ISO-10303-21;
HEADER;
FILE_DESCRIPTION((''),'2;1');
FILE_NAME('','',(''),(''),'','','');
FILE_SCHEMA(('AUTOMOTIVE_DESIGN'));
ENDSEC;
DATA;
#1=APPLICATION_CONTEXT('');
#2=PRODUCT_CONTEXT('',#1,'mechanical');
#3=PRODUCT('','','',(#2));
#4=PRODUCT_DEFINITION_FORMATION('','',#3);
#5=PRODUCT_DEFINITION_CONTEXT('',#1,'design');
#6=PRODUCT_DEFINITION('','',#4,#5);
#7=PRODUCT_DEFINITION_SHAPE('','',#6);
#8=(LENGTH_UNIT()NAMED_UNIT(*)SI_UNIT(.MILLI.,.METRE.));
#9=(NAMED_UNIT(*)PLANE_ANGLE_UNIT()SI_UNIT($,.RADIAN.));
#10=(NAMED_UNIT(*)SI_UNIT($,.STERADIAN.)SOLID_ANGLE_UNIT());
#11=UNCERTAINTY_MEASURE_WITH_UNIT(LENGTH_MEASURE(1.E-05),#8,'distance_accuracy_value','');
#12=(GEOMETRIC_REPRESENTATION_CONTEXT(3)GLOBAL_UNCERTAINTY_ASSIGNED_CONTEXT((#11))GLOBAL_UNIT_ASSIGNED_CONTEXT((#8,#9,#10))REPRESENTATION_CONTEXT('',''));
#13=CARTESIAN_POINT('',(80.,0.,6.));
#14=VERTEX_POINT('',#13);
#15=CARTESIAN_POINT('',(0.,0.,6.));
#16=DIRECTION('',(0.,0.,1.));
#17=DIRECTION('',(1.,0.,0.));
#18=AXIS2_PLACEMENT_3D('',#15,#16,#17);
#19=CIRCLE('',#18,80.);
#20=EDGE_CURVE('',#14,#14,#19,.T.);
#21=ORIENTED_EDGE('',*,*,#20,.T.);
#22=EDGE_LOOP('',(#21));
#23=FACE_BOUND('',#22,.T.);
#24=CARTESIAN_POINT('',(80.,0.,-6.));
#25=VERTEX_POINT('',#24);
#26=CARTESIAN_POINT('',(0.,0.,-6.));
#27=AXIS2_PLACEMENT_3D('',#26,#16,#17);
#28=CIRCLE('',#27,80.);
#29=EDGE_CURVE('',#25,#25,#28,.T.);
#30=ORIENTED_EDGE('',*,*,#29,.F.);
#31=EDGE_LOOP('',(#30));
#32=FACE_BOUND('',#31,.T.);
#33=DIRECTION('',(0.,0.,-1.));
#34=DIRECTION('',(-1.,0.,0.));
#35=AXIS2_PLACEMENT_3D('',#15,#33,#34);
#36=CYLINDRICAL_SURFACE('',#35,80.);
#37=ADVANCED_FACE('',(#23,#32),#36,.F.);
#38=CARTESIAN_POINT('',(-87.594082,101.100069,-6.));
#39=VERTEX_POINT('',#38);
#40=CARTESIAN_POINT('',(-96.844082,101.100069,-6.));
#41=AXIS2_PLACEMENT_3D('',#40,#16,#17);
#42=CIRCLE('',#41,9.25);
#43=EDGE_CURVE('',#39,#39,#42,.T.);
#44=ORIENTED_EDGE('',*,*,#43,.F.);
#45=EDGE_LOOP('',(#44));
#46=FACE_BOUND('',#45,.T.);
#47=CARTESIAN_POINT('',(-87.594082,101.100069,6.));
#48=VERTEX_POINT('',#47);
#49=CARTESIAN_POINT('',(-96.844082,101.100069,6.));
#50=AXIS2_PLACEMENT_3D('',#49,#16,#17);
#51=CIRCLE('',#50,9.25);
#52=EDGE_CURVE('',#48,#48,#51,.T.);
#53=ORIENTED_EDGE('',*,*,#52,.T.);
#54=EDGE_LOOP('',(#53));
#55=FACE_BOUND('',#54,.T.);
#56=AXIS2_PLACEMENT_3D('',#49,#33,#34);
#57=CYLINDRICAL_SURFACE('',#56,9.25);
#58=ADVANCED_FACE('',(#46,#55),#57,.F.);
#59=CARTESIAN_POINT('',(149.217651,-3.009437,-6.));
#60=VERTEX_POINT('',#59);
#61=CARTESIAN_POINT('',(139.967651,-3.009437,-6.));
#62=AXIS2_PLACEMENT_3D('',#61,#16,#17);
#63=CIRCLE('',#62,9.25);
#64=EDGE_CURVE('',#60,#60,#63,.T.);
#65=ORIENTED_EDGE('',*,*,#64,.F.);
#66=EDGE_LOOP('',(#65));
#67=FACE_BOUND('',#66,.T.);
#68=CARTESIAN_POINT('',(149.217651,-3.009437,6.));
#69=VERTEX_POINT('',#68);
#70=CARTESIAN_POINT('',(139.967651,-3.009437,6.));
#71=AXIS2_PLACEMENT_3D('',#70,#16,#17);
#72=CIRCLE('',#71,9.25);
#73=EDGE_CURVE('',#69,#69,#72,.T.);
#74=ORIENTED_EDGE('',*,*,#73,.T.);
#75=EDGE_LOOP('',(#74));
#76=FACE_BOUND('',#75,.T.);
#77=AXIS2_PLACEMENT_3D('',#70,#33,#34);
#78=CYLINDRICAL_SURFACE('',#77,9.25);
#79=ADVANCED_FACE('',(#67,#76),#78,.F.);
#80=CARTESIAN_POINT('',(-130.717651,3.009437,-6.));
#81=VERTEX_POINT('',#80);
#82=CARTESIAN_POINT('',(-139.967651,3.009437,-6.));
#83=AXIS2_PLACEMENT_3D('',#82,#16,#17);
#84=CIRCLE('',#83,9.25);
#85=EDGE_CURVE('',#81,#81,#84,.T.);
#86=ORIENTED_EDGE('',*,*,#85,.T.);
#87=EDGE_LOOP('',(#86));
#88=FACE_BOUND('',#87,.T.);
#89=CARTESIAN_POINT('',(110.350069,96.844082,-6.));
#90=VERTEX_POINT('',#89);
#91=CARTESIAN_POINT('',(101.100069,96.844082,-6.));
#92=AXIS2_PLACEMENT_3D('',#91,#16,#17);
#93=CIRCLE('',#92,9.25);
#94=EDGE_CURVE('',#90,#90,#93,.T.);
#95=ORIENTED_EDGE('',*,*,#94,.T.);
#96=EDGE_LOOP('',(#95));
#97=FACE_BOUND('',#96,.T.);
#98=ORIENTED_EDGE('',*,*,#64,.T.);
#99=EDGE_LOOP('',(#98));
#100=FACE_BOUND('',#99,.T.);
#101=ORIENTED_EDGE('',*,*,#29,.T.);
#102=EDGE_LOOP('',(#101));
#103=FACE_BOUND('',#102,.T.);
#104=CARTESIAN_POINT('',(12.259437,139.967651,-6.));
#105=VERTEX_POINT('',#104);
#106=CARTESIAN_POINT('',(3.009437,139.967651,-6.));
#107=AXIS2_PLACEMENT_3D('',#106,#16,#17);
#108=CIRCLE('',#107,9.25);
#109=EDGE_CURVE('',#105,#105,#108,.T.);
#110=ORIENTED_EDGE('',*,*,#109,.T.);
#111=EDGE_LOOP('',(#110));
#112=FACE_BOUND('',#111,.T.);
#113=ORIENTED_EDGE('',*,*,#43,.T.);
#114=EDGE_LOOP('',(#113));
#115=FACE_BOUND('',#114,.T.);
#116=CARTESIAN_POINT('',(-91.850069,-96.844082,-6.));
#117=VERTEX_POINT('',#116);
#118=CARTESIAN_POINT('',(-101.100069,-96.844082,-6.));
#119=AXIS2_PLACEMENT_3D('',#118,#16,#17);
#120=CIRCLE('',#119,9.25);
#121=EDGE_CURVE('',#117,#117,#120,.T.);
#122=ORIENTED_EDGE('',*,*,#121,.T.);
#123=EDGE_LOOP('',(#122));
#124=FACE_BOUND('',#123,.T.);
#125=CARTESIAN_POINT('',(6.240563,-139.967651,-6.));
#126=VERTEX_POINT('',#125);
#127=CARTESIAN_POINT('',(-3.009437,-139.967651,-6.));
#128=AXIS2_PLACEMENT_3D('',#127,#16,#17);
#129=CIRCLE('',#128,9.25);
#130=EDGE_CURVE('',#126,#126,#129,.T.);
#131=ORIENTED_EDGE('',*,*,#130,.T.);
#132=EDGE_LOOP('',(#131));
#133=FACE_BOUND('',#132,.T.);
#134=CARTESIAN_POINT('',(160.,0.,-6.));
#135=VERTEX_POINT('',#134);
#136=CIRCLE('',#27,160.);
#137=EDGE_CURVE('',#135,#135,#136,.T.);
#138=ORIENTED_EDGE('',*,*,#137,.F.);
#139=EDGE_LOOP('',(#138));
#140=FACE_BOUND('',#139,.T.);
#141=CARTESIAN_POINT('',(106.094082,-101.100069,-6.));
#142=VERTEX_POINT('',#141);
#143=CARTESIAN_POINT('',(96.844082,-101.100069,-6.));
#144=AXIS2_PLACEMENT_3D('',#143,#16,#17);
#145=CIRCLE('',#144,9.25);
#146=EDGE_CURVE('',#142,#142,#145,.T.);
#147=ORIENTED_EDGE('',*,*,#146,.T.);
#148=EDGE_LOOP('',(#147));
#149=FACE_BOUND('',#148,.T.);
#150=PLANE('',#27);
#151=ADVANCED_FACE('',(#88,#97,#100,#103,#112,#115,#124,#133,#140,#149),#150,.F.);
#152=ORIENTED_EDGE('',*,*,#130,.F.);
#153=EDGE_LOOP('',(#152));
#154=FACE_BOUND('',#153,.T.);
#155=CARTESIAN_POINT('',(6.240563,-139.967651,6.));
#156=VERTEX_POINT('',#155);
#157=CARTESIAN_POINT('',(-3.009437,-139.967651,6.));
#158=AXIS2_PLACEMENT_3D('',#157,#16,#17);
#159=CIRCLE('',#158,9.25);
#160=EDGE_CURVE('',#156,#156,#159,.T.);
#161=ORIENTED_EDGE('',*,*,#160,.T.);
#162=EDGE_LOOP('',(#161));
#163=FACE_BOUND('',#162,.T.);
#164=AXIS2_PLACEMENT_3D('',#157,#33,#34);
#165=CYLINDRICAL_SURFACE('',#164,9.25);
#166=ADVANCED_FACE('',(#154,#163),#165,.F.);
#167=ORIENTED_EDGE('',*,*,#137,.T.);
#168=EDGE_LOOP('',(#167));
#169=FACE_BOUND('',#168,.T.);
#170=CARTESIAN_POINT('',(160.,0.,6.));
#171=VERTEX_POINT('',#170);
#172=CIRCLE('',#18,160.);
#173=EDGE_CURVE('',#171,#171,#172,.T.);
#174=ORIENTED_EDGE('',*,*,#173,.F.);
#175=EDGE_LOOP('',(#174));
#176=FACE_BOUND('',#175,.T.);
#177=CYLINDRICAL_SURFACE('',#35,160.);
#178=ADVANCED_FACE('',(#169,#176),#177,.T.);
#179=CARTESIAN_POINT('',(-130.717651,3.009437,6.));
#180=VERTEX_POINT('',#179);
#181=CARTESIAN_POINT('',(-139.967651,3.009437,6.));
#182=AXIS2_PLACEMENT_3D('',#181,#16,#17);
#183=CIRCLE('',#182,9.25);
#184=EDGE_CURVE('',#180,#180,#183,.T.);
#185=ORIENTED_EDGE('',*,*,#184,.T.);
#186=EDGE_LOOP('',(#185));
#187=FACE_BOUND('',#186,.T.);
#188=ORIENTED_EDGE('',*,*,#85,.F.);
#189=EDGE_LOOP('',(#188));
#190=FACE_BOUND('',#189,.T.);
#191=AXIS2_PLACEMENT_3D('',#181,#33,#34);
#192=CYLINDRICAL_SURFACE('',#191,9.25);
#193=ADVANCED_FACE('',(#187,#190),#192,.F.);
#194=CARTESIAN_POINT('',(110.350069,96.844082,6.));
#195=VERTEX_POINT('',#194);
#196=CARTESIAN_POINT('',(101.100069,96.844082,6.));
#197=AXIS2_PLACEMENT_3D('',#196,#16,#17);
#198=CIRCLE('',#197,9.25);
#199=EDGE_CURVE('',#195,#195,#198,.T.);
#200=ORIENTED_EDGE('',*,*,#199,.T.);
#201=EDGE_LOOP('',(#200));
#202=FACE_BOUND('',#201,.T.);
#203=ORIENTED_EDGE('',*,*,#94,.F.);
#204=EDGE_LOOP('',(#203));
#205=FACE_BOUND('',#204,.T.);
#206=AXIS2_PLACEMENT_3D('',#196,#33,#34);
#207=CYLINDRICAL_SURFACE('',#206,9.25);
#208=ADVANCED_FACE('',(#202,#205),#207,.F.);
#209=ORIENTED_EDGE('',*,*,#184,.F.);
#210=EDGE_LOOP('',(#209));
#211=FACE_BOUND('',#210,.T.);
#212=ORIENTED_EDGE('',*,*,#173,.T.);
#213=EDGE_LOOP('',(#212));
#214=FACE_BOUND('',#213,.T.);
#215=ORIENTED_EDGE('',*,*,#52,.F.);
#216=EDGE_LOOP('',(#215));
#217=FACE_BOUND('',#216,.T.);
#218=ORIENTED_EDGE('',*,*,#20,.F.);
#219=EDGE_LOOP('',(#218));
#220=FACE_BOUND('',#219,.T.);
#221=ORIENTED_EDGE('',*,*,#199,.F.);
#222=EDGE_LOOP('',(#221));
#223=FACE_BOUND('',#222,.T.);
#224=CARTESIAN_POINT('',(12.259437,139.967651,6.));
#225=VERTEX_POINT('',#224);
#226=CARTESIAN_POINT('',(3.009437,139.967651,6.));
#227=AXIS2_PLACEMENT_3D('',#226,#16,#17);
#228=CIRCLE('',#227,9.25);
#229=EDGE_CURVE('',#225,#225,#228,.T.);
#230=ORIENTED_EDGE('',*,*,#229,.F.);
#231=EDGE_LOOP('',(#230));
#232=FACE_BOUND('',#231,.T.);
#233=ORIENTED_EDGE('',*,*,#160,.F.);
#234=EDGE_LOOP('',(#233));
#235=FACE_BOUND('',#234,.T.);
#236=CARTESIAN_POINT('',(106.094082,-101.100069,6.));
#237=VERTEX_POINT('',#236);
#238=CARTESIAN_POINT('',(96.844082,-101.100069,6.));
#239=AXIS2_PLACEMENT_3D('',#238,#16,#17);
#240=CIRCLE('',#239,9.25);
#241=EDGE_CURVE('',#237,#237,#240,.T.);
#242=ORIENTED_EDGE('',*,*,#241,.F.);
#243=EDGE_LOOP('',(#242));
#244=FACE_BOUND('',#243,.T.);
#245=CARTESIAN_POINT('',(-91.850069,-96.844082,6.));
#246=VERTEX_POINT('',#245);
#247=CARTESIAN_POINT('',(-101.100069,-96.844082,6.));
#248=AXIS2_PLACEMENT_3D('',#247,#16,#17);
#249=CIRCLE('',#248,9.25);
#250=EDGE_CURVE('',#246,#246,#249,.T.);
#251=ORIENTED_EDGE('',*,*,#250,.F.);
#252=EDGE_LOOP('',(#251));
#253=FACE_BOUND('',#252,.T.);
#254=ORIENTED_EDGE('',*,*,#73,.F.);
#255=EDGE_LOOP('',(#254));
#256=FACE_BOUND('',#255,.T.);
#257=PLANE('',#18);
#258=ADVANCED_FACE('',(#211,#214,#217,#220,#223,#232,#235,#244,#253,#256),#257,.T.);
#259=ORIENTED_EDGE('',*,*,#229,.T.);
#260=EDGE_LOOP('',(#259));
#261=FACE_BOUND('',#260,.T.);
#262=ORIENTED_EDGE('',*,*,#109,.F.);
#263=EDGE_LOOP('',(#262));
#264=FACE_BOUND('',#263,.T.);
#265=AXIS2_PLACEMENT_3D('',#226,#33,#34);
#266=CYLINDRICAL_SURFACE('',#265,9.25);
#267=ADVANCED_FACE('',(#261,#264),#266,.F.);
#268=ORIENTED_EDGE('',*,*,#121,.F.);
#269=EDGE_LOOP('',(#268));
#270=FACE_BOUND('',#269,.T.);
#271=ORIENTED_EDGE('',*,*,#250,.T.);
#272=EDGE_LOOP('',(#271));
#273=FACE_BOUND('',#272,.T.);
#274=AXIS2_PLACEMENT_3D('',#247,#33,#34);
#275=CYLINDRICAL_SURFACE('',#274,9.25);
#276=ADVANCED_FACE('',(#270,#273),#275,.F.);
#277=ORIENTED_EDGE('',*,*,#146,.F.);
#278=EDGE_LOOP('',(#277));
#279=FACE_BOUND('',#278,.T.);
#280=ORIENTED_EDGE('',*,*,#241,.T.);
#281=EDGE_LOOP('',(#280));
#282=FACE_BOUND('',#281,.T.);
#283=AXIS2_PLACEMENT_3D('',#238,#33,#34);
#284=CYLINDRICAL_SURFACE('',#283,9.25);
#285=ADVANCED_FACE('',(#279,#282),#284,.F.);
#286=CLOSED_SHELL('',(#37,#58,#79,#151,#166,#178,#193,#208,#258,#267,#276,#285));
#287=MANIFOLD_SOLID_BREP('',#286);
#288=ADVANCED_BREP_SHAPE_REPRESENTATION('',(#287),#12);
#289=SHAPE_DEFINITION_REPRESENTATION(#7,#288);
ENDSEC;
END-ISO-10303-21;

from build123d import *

# Parameters (mm, degrees)
SKETCH1_R           = 160
SKETCH1_R_2         = 80
SKETCH1_R_3         = 9.25
BOSS_EXTRUDE1_DEPTH = 6


with BuildPart() as part:
    # Sketch1 → Boss-Extrude1 (new, symmetric)
    with BuildSketch(Plane.XY):
        Circle(SKETCH1_R)
        Circle(SKETCH1_R_2, mode=Mode.SUBTRACT)
        with Locations((-96.844081606, 101.100068535)):
            Circle(SKETCH1_R_3, mode=Mode.SUBTRACT)
        with Locations((3.009437218, 139.967650861)):
            Circle(SKETCH1_R_3, mode=Mode.SUBTRACT)
        with Locations((101.100068535, 96.844081606)):
            Circle(SKETCH1_R_3, mode=Mode.SUBTRACT)
        with Locations((139.967650861, -3.009437218)):
            Circle(SKETCH1_R_3, mode=Mode.SUBTRACT)
        with Locations((96.844081606, -101.100068535)):
            Circle(SKETCH1_R_3, mode=Mode.SUBTRACT)
        with Locations((-3.009437218, -139.967650861)):
            Circle(SKETCH1_R_3, mode=Mode.SUBTRACT)
        with Locations((-101.100068535, -96.844081606)):
            Circle(SKETCH1_R_3, mode=Mode.SUBTRACT)
        with Locations((-139.967650861, 3.009437218)):
            Circle(SKETCH1_R_3, mode=Mode.SUBTRACT)
    extrude(amount=BOSS_EXTRUDE1_DEPTH, both=True)


solid = part.part
